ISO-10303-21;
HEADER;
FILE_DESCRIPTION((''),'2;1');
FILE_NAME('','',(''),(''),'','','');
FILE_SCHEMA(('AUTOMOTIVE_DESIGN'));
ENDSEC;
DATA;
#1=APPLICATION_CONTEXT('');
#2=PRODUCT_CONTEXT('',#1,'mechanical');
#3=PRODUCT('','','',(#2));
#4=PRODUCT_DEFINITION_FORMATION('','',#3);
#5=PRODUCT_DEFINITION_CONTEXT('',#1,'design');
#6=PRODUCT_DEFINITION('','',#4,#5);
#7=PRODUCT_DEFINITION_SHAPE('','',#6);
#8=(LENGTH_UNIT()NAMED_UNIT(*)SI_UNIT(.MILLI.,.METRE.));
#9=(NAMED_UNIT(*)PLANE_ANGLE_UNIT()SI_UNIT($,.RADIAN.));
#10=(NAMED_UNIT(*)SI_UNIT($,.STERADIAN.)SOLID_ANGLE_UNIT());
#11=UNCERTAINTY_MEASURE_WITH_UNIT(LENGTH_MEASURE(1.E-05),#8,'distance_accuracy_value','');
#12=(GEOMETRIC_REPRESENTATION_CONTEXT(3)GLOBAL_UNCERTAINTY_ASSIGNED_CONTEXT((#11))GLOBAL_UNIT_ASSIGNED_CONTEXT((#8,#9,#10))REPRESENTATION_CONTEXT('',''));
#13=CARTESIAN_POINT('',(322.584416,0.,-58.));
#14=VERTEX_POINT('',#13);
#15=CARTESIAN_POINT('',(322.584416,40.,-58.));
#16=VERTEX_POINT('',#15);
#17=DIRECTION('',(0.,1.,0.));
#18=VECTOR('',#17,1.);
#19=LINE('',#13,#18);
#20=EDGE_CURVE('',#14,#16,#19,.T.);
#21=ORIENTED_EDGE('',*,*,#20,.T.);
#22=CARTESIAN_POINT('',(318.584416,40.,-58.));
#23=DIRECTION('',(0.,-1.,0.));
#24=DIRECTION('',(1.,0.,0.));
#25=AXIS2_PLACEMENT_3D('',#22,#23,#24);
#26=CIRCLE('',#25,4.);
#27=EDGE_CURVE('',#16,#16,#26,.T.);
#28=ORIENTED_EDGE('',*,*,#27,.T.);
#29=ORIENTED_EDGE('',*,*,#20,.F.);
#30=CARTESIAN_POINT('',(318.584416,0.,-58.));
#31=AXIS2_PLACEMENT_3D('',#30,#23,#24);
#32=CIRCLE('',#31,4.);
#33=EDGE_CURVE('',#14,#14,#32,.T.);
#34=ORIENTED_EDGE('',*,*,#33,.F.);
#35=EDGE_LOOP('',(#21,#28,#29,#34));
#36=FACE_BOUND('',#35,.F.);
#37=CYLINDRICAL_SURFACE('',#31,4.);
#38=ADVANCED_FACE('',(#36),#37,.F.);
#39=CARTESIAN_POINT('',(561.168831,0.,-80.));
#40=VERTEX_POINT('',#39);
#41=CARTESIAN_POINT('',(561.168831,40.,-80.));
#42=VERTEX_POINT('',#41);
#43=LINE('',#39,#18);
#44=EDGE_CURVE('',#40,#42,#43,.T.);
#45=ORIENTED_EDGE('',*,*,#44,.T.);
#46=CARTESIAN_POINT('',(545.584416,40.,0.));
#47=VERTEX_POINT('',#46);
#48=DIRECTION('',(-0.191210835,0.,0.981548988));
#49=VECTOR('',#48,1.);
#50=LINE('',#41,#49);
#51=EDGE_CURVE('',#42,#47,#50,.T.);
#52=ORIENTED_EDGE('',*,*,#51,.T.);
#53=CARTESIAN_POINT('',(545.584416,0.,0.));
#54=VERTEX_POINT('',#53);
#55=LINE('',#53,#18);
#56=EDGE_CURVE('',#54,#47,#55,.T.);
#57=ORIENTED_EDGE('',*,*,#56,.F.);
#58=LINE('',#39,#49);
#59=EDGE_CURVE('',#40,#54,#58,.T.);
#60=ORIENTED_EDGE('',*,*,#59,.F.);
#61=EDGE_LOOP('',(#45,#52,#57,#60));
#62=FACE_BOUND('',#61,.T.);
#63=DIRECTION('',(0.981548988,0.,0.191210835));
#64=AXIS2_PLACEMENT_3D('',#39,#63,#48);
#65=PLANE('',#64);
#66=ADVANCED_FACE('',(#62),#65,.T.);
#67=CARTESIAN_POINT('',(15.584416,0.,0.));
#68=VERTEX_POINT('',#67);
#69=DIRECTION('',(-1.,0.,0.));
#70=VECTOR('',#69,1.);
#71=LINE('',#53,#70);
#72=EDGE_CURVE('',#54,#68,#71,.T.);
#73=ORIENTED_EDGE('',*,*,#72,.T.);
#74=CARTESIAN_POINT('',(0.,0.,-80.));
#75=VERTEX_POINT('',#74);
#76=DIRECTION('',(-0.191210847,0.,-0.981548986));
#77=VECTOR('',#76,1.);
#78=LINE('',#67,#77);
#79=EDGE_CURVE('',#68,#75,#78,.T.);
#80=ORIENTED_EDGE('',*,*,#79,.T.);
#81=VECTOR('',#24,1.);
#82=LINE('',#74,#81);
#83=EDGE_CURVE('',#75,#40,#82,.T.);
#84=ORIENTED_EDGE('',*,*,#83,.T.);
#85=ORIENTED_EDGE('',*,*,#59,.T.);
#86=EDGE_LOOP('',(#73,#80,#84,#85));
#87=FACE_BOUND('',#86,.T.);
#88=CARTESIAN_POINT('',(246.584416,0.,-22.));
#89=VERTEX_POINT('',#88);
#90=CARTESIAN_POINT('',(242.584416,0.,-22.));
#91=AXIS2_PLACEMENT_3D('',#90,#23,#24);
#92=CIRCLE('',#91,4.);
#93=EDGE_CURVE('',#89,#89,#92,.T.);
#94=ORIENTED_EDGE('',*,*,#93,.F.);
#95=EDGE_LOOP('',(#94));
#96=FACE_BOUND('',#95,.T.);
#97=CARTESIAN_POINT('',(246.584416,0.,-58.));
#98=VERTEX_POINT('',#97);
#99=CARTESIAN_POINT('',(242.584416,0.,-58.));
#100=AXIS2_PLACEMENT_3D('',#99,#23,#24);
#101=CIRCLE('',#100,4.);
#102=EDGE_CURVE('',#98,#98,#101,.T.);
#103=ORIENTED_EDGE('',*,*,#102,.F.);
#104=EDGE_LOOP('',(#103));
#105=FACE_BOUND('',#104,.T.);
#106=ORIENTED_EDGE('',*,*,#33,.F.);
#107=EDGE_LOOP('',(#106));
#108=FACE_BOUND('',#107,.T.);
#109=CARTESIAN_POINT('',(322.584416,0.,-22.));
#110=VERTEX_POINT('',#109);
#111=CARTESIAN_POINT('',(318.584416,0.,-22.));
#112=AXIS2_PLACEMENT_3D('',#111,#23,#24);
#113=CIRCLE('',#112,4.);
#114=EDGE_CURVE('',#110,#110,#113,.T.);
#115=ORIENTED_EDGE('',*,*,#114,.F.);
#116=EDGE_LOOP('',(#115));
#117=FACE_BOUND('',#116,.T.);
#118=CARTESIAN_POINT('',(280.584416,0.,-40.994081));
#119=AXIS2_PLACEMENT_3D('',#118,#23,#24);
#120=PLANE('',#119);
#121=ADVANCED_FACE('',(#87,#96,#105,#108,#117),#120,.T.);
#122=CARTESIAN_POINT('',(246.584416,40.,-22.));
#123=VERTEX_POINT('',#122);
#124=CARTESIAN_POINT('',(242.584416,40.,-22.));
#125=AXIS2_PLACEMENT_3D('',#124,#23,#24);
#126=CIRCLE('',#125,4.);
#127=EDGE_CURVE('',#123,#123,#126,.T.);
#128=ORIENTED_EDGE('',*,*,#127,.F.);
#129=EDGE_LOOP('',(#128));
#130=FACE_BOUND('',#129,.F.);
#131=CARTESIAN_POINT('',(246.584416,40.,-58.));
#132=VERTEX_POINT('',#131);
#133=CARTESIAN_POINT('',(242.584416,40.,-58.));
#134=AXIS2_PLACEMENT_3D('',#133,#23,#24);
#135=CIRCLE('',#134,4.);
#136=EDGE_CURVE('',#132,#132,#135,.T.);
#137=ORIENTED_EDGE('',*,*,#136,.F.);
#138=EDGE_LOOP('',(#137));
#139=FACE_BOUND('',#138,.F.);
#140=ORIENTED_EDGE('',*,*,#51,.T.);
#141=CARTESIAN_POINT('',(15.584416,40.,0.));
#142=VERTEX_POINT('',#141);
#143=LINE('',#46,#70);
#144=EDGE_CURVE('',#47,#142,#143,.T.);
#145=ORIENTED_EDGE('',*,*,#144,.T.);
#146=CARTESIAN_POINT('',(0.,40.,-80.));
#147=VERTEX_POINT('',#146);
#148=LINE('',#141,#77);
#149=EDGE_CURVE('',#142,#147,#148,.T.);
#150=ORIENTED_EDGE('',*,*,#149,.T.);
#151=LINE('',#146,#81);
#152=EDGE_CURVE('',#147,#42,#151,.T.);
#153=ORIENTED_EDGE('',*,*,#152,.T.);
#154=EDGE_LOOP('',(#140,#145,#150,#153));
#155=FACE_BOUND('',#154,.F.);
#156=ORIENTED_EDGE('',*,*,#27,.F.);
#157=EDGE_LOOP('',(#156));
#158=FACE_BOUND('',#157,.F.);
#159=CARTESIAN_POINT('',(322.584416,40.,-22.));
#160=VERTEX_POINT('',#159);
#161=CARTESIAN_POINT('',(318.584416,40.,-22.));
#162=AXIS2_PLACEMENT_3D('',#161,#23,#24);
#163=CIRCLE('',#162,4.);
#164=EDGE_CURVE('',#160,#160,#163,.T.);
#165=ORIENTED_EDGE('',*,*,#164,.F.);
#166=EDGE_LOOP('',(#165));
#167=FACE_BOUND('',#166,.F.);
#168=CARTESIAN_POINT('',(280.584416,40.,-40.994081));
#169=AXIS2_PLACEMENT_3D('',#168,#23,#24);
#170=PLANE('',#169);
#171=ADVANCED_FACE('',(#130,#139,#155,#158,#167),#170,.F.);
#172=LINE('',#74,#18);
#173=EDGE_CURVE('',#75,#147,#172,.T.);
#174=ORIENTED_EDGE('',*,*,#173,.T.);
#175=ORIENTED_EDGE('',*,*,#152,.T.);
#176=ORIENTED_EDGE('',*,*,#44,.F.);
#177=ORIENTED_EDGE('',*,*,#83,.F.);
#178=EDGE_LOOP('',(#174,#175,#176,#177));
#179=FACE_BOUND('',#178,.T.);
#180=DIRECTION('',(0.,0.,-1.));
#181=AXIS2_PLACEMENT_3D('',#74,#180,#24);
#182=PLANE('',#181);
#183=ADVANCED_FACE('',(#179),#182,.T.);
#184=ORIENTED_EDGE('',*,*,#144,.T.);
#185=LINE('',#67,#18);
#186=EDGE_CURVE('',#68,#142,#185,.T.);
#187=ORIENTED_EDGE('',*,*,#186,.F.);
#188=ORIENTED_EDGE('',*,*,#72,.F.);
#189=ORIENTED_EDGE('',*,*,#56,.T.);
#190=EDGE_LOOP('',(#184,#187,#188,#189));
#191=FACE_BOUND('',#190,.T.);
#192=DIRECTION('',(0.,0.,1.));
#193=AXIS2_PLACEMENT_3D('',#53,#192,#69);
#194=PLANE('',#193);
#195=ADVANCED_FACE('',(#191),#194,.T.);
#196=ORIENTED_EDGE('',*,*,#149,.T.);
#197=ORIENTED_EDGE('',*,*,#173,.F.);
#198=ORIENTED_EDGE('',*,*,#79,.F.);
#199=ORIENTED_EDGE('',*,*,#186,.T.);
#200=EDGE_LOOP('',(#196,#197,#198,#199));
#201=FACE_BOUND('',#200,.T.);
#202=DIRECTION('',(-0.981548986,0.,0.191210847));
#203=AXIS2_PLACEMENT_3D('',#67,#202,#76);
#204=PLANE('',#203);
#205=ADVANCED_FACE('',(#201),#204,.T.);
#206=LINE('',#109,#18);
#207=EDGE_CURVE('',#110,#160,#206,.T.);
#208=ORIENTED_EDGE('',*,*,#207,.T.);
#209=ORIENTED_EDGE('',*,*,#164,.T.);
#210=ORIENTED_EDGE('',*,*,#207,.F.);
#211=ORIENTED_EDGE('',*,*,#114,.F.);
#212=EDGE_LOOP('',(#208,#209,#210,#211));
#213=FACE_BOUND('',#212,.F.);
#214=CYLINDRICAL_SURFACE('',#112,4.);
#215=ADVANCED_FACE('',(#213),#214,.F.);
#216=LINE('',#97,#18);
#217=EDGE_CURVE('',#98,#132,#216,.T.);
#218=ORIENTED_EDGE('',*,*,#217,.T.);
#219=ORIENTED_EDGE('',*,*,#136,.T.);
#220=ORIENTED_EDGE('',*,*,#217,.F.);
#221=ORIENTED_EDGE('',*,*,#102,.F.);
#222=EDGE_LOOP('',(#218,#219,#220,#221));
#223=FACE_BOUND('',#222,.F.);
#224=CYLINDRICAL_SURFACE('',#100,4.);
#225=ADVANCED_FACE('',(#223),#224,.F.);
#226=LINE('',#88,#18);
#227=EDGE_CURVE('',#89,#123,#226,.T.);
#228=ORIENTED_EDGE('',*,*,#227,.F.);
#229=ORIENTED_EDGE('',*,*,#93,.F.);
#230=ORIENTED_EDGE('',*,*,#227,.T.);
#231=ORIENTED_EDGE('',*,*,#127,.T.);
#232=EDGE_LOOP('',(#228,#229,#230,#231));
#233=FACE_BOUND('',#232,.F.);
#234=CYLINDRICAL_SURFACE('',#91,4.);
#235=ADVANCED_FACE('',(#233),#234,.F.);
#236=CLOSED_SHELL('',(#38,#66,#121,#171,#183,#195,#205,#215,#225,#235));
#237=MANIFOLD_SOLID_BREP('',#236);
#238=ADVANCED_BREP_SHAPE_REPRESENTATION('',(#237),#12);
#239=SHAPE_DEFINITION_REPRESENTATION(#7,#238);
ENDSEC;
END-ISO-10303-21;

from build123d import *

# Parameters (mm, degrees)
F0_R     = 4
F1_DEPTH = 40


with BuildPart() as f1:
    # F0 (on Front) → F1 (new body)
    with BuildSketch(Plane.XZ):
        Polygon((545.584416, 0), (15.584416, 0), (0, -80), (561.168831, -80), align=None)
        with Locations((242.584416, -58)):
            Circle(F0_R, mode=Mode.SUBTRACT)
        with Locations((318.584416, -58)):
            Circle(F0_R, mode=Mode.SUBTRACT)
        with Locations((242.584416, -22)):
            Circle(F0_R, mode=Mode.SUBTRACT)
        with Locations((318.584416, -22)):
            Circle(F0_R, mode=Mode.SUBTRACT)
    extrude(amount=-F1_DEPTH)


solid = f1.part
